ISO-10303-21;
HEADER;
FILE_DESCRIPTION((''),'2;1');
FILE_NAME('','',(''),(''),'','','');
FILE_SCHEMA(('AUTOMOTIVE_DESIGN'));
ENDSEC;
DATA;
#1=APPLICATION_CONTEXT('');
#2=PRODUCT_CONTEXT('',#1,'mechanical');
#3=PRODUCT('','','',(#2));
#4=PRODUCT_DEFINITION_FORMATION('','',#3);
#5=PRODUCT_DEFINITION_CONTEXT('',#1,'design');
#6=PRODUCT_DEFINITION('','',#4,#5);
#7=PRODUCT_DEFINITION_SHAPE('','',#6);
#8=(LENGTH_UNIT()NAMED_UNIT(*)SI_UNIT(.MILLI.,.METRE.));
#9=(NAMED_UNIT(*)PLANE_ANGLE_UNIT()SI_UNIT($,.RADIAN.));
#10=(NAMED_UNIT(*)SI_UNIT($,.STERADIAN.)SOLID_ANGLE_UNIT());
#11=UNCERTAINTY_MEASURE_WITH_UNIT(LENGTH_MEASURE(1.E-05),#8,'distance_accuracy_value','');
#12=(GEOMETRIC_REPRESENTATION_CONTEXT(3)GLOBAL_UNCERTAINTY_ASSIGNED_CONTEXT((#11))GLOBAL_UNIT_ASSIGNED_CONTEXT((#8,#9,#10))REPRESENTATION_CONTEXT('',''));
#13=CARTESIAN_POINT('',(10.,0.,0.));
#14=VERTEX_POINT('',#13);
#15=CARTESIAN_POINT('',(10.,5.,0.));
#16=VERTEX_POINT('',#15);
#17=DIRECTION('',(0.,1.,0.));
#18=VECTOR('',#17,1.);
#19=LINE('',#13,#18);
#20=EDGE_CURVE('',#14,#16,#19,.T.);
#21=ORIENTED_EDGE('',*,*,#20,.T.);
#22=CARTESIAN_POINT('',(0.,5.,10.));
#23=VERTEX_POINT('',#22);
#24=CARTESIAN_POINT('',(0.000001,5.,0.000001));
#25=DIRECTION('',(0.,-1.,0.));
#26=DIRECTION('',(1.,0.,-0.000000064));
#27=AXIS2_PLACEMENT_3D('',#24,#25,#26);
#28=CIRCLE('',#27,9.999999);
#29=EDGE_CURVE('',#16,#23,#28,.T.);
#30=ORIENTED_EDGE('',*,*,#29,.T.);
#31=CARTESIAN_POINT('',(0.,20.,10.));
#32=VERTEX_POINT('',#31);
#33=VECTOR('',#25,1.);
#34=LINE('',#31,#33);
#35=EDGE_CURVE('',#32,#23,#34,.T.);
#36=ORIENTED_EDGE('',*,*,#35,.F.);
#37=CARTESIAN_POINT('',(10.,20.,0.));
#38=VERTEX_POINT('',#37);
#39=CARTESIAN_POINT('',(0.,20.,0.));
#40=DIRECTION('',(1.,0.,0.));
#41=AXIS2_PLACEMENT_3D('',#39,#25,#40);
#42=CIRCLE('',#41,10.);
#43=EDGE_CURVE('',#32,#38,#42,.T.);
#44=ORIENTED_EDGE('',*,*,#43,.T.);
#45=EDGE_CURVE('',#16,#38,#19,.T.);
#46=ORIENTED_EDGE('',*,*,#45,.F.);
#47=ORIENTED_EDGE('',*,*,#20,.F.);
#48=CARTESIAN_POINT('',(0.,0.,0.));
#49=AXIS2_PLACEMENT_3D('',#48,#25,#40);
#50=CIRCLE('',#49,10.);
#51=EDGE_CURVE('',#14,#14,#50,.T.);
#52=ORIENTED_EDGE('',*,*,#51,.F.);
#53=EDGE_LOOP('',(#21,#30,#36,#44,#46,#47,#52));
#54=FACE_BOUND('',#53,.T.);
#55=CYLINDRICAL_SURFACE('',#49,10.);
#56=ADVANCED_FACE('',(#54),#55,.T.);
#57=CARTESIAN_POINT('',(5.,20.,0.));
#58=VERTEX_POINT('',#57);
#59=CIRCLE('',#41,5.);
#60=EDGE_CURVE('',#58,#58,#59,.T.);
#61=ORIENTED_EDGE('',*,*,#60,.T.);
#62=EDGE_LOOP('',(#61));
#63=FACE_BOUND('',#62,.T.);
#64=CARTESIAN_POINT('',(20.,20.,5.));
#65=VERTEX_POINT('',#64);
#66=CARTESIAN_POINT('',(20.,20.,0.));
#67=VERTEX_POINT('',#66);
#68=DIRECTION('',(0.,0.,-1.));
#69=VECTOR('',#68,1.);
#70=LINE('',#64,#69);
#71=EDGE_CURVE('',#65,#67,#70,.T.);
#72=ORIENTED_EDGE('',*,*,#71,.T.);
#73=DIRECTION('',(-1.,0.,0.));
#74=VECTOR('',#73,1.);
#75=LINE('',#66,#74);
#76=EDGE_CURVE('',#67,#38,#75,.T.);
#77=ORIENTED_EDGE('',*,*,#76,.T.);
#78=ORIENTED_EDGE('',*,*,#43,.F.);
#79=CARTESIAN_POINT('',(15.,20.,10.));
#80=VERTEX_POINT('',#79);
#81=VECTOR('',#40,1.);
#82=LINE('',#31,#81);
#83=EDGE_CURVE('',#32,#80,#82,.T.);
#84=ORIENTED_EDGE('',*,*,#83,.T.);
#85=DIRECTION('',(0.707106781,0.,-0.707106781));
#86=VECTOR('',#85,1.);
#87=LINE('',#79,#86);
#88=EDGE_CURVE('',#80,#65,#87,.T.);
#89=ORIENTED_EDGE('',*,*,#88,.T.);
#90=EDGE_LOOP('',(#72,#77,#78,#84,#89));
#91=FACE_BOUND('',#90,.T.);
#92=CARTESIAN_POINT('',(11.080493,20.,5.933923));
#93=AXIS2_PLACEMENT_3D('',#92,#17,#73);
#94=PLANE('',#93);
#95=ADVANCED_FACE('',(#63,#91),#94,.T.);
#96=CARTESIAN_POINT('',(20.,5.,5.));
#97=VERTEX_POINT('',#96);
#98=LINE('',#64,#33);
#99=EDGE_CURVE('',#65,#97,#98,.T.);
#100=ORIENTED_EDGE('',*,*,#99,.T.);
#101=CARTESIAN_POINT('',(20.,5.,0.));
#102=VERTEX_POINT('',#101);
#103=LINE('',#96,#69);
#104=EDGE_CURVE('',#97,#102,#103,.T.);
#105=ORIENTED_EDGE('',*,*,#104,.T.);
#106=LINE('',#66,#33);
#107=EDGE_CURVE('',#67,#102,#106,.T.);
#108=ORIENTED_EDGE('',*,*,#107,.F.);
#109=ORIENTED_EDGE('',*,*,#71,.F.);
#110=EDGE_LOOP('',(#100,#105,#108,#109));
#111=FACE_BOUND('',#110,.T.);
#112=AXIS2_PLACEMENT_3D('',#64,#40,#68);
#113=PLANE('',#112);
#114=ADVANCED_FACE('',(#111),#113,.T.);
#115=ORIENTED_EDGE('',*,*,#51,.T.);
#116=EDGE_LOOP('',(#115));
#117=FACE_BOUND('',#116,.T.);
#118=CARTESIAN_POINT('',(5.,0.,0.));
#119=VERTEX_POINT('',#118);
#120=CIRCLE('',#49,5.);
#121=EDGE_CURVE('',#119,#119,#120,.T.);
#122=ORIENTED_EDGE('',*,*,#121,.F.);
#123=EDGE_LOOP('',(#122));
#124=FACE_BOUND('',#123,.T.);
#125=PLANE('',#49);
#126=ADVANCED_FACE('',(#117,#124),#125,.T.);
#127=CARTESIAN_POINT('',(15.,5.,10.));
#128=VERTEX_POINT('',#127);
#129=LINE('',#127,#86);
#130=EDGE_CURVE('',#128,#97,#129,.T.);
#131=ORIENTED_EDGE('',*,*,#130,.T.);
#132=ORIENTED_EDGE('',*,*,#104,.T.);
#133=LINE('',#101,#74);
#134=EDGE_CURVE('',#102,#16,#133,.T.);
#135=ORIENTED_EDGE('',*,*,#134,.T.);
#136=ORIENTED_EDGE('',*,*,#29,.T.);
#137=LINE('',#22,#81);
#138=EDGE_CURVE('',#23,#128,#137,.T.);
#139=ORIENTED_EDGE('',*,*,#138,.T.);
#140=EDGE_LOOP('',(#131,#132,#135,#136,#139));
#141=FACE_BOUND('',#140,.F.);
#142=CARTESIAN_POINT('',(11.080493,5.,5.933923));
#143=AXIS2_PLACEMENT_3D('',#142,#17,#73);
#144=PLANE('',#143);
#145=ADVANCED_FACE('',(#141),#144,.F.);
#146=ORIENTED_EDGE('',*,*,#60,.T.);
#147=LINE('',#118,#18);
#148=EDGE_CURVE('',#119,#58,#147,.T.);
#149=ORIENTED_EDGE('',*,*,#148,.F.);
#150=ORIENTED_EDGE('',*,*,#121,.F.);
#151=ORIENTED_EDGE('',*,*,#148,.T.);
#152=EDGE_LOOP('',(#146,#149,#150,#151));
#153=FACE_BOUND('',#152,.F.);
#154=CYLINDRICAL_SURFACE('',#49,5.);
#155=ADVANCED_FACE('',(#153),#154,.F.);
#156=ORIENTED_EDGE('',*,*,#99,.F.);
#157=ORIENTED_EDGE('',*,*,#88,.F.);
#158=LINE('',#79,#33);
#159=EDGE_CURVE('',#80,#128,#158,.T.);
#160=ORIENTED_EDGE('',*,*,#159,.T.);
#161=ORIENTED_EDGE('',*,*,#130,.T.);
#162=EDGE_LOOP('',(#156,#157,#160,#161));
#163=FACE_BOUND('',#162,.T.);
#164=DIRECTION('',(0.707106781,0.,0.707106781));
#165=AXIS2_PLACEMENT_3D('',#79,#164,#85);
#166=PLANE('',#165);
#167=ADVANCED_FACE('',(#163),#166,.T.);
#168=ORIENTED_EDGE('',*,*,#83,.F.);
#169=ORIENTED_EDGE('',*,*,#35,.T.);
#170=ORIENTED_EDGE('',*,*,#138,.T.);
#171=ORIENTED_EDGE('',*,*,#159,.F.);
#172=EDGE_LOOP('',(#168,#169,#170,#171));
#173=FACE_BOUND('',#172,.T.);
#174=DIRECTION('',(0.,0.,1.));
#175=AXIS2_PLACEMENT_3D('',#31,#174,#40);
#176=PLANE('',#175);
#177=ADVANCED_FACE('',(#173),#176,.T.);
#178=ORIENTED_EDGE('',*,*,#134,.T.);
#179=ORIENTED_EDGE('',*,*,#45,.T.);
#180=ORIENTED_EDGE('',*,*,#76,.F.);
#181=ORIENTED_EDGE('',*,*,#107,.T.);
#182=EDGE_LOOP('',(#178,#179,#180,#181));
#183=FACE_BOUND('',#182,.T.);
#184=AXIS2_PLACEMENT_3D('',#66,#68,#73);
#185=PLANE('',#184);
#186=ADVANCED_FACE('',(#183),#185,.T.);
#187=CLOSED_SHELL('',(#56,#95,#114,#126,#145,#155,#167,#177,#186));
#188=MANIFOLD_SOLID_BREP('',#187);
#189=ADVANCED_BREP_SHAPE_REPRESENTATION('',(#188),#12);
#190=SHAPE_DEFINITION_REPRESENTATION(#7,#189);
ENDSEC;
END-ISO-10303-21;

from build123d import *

# Parameters (mm, degrees)
F0_R     = 10
F0_R_2   = 5
F1_DEPTH = 20
F3_DEPTH = 15


with BuildPart() as f1:
    # F0 (on Front) → F1 (new body)
    with BuildSketch(Plane.XZ):
        Circle(F0_R)
        Circle(F0_R_2, mode=Mode.SUBTRACT)
    extrude(amount=-F1_DEPTH)

    # F2 (on face) → F3 (join)
    with BuildSketch(Plane(origin=(0, 20, 0), x_dir=(-1, 0, 0), z_dir=(0, 1, 0))):
        with BuildLine():
            Line((-15, 10), (-20, 5))
            Line((-20, 5), (-20, 0))
            Line((-20, 0), (-10, 0))
            ThreePointArc((-10, 0), (-7.071068, 7.071068), (0, 10))
            Line((0, 10), (-15, 10))
        make_face()
    extrude(amount=-F3_DEPTH)


solid = f1.part
